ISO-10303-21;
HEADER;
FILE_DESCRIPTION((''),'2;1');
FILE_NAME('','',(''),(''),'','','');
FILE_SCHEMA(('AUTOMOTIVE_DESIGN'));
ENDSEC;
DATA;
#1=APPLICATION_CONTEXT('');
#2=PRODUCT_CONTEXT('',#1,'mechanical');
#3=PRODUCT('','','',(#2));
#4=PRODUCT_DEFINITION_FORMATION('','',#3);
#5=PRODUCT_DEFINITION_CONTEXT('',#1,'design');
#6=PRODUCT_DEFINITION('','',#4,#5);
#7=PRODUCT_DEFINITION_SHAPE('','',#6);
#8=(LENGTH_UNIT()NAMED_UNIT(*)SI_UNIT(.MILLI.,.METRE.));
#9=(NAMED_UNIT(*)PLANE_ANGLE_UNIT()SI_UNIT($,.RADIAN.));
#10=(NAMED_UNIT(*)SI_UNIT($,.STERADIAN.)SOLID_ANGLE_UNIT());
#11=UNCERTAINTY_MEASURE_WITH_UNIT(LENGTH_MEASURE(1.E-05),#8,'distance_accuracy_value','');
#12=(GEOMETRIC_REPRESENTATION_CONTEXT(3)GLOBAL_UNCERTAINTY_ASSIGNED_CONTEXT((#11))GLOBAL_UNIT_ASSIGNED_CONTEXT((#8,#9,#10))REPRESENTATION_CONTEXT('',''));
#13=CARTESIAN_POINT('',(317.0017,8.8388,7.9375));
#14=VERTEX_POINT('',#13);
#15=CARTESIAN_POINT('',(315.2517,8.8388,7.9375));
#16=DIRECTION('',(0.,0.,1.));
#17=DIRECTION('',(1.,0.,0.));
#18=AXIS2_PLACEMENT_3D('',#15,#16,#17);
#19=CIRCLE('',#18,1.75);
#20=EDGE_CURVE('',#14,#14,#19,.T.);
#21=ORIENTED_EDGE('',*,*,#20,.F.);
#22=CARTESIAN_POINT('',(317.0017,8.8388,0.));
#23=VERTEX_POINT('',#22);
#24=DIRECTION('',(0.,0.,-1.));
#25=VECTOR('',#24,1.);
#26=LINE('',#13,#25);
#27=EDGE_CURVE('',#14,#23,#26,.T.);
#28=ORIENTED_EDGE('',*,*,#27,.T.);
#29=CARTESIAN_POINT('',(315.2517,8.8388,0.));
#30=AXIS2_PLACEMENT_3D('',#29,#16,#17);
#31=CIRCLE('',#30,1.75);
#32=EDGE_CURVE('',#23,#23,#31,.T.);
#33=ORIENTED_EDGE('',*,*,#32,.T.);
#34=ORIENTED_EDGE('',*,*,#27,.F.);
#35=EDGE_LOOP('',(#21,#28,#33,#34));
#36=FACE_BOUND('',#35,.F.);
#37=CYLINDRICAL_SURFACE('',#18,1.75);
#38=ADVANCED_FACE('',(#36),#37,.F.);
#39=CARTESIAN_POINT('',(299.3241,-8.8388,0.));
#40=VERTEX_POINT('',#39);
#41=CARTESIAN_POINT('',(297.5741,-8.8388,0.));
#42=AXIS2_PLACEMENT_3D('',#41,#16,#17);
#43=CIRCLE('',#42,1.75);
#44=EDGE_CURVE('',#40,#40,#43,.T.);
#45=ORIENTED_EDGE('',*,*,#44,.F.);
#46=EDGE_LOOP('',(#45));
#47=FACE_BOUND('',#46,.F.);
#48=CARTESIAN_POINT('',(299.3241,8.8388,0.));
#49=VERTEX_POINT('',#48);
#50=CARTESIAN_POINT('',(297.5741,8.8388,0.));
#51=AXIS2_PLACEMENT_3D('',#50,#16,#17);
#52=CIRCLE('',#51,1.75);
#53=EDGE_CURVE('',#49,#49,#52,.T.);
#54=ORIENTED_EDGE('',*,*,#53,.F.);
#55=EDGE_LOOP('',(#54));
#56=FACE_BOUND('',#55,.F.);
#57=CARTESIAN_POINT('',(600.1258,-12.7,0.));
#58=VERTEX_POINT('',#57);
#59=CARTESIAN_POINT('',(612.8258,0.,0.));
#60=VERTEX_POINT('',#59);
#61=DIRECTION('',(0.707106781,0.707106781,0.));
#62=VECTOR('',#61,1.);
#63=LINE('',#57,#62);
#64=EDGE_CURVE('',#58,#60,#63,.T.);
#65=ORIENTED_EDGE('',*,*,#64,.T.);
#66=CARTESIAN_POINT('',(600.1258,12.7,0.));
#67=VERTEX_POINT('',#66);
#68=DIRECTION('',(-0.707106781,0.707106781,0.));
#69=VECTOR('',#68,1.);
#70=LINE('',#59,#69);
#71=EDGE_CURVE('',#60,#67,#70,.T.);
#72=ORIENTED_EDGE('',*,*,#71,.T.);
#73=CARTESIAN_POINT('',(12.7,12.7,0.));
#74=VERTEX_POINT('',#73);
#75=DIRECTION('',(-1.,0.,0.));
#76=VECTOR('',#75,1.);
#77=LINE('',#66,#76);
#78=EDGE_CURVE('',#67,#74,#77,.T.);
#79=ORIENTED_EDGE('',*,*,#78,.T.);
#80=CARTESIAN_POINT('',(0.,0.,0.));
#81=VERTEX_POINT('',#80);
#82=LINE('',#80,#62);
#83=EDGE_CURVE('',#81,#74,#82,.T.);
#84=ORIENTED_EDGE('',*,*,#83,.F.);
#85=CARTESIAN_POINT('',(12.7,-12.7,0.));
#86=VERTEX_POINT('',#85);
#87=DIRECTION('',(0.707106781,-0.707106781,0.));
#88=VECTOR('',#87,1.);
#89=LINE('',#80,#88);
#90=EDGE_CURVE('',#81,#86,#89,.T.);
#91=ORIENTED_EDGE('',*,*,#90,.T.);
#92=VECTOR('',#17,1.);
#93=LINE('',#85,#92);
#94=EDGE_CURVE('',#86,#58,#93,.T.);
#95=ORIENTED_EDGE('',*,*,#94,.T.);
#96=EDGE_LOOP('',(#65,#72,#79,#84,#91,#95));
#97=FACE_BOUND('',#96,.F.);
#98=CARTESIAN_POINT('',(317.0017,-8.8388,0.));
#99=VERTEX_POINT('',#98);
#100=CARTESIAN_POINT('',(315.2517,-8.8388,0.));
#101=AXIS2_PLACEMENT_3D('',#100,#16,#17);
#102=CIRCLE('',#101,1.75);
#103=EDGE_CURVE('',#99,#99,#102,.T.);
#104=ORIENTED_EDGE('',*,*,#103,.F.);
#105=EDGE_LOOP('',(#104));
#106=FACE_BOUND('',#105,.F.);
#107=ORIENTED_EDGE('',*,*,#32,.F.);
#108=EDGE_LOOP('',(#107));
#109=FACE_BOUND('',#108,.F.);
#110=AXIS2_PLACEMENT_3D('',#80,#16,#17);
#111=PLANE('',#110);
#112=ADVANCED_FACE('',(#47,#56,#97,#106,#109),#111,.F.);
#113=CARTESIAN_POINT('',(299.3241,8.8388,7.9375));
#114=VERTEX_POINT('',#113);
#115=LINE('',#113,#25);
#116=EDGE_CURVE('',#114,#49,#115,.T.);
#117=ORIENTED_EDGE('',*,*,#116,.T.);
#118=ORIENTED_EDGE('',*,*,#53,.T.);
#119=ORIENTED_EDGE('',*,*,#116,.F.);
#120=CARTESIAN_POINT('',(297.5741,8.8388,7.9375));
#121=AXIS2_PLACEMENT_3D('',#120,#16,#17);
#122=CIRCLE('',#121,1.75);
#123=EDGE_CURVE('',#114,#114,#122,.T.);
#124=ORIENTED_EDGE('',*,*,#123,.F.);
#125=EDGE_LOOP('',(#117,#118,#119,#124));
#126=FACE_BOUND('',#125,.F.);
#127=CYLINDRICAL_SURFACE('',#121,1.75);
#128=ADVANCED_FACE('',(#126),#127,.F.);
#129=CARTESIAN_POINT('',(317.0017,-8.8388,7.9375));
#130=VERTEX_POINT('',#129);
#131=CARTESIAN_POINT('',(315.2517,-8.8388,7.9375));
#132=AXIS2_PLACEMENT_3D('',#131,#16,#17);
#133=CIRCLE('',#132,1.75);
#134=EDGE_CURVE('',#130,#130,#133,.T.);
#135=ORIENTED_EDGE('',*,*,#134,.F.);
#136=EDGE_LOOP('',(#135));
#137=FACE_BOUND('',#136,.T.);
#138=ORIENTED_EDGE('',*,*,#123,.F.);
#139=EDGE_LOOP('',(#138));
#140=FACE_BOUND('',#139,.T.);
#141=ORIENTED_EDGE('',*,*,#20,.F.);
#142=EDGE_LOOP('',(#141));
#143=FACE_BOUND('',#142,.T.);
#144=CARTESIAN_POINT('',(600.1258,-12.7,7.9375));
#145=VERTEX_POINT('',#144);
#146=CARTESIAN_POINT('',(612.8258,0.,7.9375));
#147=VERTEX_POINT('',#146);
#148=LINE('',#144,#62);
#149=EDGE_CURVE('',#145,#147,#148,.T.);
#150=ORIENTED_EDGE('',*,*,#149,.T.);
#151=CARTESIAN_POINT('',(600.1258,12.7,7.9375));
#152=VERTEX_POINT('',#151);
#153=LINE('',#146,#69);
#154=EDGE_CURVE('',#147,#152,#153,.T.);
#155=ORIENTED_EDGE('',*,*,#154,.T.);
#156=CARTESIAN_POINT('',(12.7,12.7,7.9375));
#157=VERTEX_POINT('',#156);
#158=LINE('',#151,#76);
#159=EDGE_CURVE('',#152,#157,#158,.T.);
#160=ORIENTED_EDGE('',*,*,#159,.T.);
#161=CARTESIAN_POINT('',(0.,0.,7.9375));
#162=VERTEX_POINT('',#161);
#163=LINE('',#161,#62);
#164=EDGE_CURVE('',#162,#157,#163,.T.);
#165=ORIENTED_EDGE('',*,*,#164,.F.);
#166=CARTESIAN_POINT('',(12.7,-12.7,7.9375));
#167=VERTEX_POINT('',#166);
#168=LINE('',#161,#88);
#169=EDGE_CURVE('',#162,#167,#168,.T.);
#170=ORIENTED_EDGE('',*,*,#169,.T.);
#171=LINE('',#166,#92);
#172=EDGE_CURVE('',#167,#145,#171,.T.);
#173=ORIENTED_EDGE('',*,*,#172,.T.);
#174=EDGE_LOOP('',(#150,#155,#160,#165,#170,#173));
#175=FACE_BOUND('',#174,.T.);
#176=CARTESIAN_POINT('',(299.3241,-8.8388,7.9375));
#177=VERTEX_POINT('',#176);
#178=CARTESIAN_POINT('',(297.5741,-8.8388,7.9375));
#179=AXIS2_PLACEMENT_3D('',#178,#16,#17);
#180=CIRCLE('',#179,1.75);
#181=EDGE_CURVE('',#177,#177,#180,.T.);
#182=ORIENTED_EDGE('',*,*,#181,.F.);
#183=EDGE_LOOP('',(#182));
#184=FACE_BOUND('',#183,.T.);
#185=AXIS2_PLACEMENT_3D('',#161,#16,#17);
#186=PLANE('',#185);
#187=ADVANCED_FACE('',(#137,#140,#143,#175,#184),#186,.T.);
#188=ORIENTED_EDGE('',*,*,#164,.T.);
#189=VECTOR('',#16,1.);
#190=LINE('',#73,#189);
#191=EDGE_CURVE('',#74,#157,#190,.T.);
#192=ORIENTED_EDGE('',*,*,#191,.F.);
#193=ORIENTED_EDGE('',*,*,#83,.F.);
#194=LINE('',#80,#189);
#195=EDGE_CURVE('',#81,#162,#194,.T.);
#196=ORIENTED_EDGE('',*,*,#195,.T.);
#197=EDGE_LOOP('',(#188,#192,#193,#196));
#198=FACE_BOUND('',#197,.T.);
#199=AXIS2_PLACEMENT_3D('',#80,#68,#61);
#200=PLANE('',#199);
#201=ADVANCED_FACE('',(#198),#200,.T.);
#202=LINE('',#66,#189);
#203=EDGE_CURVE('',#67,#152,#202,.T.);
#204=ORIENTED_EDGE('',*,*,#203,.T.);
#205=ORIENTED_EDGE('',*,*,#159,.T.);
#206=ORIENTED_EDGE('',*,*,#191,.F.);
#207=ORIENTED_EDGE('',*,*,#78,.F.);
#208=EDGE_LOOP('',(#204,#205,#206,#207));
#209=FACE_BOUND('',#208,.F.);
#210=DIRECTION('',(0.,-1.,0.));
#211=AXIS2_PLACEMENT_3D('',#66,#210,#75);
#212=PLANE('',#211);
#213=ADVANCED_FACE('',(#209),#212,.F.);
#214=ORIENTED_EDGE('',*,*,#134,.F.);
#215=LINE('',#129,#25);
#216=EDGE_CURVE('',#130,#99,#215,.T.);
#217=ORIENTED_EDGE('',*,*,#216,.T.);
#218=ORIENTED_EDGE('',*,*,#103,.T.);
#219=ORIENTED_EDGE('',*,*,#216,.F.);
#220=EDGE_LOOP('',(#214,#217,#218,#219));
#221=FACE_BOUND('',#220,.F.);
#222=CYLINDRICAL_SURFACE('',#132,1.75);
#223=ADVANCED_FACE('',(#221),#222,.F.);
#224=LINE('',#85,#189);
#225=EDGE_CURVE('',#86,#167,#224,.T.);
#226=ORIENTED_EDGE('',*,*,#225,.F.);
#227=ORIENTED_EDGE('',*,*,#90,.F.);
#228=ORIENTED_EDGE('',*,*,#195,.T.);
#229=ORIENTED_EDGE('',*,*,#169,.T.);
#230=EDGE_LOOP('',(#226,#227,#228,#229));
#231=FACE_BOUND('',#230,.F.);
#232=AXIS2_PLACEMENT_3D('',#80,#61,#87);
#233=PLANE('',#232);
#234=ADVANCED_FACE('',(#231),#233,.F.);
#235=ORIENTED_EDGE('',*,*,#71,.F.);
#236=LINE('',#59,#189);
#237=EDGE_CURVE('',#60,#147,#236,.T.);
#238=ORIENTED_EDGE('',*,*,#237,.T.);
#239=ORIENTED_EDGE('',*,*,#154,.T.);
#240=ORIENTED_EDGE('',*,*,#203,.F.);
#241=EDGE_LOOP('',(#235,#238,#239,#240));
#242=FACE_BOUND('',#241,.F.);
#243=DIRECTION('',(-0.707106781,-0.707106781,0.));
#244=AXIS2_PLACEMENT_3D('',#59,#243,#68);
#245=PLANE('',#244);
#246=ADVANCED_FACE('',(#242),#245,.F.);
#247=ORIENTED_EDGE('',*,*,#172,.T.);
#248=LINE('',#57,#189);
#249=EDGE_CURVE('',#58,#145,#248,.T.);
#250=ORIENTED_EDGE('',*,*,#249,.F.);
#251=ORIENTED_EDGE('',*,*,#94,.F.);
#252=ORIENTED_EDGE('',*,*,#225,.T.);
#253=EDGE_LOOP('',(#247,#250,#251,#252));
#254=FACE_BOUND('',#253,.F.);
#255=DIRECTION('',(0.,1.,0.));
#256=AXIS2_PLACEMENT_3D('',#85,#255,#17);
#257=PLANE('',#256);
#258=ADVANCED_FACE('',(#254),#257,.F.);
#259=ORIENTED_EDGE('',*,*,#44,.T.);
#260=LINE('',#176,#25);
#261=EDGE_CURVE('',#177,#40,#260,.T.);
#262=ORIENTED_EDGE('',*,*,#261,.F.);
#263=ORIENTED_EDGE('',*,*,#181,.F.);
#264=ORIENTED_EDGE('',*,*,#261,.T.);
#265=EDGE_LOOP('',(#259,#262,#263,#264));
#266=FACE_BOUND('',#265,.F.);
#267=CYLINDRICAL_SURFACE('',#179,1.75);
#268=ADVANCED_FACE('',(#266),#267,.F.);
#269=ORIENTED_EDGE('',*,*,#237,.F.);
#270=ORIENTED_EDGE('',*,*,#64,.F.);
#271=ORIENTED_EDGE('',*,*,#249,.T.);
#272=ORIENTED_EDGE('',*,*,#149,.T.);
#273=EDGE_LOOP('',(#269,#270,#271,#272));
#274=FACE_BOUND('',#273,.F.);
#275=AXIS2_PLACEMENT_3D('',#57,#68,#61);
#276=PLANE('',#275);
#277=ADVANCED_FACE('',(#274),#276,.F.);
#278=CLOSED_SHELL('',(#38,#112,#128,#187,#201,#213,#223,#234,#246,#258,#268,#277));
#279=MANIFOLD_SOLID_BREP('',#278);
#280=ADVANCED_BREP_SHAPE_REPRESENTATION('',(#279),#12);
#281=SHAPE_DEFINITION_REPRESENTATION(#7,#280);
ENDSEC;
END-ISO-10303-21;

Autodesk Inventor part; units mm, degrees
ref_plane "YZ Plane" through (0, 0, 0) normal (1, 0, 0) x (0, 1, 0)
ref_plane "XZ Plane" through (0, 0, 0) normal (0, 1, 0) x (-1, 0, 0)
ref_plane "XY Plane" through (0, 0, 0) normal (0, 0, 1) x (1, 0, 0)
sketch "Sketch1" plane through (0, 0, 0) normal (0, 0, 1) x (1, 0, 0)
  line L0 (0, 0) -> (12.7, 12.7)
  line L1 (0, 0) -> (12.7, -12.7)
  line L2 (12.7, -12.7) -> (600.1258, -12.7)
  line L3 (600.1258, -12.7) -> (612.8258, 0)
  line L4 (612.8258, 0) -> (600.1258, 12.7)
  line L5 (600.1258, 12.7) -> (12.7, 12.7)
  line L6 (0, 0) -> (26.9875, 0) construction
  dimension "d0" = 90
  dimension "d1" = 45
  dimension "d2" = 612.8258
  dimension "d3" = 25.4
  dimension "d4" = 12.7
  dimension "d5" = 0
extrude "Extrusion1" add sketch "Sketch1" along normal blind 7.9375
sketch "Sketch2" plane through (0, 0, 7.9375) normal (0, 0, 1) x (1, 0, 0)
  line L0 (12.7, 12.7) -> (0, 0) construction
  line L1 (0, 0) -> (306.4129, 0) construction
  line L2 (600.1258, 12.7) -> (12.7, 12.7) construction
  line L3 (306.4129, 0) -> (306.4129, 138.1125) construction
  circle A0 centre (306.4129, 0) radius 12.5 construction
  line L4 (297.5741, 8.8388) -> (315.2517, 8.8388) construction
  line L5 (315.2517, 8.8388) -> (315.2517, -8.8388) construction
  line L6 (315.2517, -8.8388) -> (297.5741, -8.8388) construction
  line L7 (297.5741, -8.8388) -> (297.5741, 8.8388) construction
  circle A1 centre (297.5741, 8.8388) radius 1.75
  circle A2 centre (315.2517, 8.8388) radius 1.75
  circle A3 centre (315.2517, -8.8388) radius 1.75
  circle A4 centre (297.5741, -8.8388) radius 1.75
  dimension "d8" = 306.4129
  dimension "d9" = 25
  dimension "d10" = 3.5
  dimension "d11" = 3.5
  dimension "d12" = 3.5
  dimension "d13" = 3.5
extrude "Extrusion2" cut sketch "Sketch2" against normal through all
properties part number "Motor Strap 5-16"
